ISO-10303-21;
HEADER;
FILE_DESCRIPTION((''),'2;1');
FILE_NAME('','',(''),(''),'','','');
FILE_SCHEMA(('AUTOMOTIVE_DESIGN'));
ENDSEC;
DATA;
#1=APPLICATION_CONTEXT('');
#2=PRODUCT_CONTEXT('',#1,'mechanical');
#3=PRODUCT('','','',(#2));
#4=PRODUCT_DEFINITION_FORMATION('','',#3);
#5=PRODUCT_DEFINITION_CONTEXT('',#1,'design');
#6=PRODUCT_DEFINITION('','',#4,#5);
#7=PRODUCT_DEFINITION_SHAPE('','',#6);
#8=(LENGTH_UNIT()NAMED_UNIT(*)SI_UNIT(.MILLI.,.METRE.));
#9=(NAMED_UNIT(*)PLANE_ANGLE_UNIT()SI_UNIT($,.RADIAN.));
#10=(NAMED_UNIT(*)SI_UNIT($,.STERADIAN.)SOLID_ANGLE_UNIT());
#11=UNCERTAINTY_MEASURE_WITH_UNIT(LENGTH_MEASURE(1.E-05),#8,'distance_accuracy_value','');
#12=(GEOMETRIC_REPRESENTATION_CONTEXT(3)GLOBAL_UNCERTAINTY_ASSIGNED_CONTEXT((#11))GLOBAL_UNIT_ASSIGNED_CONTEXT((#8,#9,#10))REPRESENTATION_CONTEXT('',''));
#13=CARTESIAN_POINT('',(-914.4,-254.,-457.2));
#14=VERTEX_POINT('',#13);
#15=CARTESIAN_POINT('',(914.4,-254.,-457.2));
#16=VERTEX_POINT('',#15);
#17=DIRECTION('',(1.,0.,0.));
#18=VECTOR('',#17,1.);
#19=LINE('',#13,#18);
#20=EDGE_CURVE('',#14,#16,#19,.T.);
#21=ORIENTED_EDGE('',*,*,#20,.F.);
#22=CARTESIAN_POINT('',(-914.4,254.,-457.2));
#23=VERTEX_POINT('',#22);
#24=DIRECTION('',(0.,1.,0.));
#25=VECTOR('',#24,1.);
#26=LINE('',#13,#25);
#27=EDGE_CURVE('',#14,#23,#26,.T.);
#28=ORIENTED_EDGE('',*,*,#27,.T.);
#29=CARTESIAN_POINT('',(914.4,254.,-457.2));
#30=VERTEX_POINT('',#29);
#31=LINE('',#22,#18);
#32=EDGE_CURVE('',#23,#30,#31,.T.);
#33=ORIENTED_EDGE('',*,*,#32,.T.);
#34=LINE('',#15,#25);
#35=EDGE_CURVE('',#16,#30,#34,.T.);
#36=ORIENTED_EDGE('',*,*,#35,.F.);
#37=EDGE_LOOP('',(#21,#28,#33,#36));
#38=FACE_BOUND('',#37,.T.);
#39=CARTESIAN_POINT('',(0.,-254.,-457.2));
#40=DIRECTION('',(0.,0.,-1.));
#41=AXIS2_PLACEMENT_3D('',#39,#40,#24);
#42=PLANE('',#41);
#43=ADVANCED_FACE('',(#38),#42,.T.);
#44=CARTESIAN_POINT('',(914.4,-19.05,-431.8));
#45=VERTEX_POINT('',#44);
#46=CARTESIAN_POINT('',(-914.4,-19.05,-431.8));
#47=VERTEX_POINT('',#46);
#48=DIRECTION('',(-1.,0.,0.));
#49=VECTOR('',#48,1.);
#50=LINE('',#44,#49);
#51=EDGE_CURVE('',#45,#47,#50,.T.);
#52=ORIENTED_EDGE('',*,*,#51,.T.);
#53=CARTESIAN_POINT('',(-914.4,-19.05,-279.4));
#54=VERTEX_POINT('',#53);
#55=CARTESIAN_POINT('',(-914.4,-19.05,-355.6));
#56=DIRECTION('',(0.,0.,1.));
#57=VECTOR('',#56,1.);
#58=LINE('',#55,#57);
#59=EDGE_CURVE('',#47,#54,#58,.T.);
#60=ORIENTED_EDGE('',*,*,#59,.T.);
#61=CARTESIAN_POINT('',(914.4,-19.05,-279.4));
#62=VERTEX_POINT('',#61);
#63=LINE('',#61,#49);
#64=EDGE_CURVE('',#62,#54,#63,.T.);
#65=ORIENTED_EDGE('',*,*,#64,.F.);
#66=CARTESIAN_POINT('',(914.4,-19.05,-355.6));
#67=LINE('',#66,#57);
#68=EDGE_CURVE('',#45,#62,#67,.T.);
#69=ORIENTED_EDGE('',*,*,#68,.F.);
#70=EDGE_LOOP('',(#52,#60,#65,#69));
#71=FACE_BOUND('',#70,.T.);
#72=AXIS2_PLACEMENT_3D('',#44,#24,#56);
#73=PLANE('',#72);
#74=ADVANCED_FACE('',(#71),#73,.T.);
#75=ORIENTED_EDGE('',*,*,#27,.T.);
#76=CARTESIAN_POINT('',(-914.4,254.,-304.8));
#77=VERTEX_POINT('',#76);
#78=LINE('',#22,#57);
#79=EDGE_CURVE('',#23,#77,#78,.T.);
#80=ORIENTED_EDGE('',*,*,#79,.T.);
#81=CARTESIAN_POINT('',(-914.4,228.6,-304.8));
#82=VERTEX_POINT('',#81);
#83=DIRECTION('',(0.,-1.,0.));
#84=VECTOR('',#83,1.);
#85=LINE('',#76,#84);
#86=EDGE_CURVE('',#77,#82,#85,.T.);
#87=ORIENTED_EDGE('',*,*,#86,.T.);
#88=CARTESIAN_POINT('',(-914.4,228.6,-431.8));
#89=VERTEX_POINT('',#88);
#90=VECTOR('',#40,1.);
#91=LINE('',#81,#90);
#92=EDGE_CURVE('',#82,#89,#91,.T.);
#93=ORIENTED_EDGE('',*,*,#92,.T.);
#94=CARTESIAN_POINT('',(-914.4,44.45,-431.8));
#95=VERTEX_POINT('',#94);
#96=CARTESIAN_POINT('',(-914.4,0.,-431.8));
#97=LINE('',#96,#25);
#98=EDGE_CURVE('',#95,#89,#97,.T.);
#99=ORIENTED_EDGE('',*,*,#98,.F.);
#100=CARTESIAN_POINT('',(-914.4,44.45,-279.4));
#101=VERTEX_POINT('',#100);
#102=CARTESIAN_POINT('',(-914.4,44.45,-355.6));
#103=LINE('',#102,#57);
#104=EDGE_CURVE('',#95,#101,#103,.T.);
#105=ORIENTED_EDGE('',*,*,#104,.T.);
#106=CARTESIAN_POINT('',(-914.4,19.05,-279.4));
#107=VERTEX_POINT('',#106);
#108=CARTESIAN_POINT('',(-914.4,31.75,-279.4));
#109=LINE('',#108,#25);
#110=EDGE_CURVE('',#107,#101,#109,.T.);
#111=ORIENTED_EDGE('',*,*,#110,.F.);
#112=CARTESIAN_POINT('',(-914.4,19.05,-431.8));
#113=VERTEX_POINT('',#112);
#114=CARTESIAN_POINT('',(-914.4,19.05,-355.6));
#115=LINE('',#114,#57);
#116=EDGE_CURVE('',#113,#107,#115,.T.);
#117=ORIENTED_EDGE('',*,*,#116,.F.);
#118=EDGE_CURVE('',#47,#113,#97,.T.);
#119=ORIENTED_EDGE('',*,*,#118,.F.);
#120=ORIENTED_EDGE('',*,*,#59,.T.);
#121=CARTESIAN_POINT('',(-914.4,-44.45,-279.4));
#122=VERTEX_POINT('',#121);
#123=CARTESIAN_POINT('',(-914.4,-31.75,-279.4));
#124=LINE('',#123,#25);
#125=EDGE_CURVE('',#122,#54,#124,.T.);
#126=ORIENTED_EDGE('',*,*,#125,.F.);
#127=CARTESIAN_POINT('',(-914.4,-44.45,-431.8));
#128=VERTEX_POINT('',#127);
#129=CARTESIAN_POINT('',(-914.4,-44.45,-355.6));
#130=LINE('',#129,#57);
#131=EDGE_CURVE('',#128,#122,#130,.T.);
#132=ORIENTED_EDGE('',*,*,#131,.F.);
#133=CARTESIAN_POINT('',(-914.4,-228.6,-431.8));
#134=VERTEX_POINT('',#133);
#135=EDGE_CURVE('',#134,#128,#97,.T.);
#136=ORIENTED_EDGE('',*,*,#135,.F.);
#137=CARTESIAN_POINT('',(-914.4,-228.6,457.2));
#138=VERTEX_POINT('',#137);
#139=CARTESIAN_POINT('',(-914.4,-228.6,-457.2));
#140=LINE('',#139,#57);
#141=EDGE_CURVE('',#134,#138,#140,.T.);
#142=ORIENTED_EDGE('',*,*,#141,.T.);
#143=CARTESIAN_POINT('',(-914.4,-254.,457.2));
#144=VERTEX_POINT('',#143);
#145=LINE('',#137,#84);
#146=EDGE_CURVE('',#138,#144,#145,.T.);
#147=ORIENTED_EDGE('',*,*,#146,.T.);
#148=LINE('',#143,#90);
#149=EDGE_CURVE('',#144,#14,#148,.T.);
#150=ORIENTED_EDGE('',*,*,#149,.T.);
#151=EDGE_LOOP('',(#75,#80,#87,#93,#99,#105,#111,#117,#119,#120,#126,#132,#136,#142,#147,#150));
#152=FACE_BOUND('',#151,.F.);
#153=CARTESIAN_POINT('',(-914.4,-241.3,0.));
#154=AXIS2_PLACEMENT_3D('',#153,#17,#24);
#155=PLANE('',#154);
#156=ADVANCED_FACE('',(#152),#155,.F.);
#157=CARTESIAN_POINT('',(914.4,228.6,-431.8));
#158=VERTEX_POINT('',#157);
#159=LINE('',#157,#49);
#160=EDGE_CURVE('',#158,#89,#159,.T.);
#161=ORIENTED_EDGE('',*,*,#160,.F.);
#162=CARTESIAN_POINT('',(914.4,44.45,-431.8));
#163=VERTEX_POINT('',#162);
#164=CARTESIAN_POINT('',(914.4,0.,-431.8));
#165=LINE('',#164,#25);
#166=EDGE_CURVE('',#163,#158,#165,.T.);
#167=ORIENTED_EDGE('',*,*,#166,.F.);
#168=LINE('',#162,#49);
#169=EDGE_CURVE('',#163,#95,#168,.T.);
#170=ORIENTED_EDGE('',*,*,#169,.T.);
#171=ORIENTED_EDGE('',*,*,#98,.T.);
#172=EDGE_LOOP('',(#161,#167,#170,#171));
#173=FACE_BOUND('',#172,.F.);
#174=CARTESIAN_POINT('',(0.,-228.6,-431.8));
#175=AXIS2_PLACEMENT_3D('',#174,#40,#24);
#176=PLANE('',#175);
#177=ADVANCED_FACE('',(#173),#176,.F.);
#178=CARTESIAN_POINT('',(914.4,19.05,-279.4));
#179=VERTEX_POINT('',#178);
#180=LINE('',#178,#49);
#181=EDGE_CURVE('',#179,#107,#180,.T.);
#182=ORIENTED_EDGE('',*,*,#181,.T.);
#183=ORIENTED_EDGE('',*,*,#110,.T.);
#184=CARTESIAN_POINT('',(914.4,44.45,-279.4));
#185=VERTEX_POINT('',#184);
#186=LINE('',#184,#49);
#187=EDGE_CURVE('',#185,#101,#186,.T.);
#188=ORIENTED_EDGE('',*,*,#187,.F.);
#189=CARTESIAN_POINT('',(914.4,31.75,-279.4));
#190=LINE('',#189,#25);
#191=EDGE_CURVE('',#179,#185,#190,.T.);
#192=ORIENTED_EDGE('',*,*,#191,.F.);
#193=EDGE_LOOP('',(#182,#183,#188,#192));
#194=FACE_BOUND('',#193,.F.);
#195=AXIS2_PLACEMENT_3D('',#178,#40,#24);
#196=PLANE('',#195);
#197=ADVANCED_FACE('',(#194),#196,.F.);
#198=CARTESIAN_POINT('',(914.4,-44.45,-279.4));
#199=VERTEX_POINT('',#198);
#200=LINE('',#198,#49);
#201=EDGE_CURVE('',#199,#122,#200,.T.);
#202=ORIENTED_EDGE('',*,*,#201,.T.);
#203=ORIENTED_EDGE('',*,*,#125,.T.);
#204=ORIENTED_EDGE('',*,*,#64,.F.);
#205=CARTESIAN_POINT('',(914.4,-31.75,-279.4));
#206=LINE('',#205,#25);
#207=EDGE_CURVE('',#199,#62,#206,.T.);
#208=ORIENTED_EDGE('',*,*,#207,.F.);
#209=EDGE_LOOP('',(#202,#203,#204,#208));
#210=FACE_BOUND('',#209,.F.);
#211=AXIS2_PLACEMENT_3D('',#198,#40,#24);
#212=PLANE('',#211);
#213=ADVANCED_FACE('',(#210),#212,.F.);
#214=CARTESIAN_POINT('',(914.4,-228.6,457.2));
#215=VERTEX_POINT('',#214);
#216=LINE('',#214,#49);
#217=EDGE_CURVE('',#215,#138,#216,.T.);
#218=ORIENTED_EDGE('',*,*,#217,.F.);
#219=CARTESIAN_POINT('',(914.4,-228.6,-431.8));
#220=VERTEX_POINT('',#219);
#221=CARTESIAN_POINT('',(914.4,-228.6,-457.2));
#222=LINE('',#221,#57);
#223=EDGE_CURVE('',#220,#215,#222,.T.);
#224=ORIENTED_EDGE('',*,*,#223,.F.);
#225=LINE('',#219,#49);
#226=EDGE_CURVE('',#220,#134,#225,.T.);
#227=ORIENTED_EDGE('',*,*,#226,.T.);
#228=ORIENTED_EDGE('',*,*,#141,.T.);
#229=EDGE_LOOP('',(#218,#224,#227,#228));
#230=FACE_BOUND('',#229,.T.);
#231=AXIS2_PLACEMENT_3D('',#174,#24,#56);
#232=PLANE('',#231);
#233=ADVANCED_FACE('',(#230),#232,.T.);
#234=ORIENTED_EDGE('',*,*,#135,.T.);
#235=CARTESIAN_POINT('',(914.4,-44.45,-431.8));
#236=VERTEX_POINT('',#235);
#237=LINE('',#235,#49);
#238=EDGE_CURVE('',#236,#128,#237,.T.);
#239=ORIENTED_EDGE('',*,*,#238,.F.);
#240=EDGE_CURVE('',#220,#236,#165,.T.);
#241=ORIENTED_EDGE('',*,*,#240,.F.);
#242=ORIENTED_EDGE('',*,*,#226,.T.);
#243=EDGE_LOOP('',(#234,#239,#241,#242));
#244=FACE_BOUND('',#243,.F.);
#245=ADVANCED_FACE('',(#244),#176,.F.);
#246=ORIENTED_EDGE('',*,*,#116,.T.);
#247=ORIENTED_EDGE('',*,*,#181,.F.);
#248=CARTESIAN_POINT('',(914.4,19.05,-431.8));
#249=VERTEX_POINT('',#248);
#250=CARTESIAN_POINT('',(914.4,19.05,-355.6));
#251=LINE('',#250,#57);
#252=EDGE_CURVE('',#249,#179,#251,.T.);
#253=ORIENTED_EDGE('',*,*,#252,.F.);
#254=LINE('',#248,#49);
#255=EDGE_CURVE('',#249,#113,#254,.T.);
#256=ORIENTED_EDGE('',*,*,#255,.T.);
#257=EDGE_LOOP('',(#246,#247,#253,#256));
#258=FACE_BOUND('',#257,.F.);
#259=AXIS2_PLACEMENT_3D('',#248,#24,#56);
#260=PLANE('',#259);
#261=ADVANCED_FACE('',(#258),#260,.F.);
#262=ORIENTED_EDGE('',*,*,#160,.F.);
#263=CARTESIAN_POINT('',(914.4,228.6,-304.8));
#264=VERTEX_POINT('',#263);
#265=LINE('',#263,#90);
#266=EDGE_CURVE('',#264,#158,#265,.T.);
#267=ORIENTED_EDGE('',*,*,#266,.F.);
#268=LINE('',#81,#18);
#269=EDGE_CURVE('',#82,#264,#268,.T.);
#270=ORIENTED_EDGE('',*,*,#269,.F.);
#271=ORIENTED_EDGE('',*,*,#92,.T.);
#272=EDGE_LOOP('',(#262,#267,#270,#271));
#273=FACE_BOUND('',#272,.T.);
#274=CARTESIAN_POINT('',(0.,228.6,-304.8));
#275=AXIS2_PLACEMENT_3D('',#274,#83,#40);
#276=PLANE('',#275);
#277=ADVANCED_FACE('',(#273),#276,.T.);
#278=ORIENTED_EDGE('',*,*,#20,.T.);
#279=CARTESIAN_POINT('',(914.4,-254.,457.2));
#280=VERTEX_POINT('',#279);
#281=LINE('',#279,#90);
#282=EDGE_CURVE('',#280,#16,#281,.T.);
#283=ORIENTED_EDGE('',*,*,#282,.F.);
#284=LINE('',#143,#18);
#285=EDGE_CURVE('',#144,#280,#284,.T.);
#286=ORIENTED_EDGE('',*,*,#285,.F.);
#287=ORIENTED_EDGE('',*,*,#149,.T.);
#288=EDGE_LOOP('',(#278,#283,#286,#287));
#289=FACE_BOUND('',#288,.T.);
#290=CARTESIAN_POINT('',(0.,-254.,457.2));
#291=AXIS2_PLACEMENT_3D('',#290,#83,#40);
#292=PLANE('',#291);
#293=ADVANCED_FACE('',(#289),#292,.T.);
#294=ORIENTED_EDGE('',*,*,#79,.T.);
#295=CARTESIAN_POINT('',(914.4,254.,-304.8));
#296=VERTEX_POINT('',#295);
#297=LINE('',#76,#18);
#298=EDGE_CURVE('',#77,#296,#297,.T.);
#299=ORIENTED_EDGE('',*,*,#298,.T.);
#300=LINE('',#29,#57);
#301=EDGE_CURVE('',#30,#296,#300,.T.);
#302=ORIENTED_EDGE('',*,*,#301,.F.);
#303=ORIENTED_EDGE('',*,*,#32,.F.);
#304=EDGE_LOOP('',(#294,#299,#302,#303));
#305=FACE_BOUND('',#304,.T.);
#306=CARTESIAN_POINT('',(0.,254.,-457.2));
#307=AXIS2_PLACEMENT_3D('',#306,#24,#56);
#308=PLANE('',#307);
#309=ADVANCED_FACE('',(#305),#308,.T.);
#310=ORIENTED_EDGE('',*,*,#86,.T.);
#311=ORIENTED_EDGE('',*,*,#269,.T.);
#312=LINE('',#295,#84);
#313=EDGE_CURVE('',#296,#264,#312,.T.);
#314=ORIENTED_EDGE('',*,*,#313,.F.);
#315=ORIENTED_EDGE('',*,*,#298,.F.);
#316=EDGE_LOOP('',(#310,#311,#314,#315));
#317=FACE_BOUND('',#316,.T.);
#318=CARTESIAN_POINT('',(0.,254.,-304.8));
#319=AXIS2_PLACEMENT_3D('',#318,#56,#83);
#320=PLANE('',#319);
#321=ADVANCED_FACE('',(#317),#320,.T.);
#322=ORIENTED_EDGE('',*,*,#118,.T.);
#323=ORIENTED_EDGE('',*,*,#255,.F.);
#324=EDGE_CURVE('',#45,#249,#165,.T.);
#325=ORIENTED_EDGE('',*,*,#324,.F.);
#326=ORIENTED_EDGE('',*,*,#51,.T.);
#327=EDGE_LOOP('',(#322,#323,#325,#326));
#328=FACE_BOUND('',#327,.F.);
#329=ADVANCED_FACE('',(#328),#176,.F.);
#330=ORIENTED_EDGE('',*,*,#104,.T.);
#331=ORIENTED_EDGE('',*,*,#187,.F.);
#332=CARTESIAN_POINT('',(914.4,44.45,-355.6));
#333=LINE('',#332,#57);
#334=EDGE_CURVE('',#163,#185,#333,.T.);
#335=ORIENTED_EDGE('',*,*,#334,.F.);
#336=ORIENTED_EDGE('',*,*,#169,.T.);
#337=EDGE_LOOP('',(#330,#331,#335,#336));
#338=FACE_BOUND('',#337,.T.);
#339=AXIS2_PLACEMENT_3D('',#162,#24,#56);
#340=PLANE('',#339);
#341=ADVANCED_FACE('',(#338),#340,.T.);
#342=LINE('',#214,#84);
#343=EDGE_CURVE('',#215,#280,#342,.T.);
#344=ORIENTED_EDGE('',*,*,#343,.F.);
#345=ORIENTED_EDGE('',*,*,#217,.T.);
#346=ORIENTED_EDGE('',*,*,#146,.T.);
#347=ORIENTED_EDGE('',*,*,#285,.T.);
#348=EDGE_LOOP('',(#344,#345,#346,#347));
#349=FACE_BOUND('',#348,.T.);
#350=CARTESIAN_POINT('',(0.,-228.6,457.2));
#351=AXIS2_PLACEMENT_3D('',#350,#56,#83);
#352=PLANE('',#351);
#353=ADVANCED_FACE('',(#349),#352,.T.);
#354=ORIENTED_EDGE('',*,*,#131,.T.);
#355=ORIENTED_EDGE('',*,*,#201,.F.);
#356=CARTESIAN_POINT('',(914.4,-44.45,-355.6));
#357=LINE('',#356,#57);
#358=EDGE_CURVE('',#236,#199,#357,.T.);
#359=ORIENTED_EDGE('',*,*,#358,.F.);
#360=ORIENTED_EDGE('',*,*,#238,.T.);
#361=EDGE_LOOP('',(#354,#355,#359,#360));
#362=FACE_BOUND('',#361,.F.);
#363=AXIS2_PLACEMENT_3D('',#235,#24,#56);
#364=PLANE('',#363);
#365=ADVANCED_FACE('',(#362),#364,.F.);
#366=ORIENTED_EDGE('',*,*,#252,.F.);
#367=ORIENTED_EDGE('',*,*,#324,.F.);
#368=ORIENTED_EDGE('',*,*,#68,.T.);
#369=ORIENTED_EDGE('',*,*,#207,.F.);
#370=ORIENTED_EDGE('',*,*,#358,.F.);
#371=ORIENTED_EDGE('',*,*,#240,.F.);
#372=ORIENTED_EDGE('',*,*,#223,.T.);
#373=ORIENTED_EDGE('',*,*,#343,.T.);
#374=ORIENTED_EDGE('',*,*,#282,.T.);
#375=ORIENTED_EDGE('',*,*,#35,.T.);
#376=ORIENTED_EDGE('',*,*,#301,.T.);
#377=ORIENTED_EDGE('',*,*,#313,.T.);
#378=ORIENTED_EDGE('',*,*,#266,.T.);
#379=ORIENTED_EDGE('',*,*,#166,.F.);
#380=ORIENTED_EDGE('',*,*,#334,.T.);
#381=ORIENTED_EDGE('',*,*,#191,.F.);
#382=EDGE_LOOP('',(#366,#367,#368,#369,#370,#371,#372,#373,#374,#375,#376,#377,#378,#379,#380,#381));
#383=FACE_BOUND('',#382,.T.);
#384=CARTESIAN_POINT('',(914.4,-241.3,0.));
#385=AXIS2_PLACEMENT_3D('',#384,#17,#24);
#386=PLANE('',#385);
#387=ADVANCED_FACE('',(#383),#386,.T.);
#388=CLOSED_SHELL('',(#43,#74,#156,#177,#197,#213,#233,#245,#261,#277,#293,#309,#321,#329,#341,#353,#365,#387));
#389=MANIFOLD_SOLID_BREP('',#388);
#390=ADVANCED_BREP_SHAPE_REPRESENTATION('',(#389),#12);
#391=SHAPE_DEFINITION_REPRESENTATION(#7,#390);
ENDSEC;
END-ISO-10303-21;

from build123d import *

# Parameters (mm, degrees)
F0_W     = 457.2
F0_H     = 25.4
F1_DEPTH = 914.4
F2_W     = 25.4
F2_H     = 152.4
F3_DEPTH = 1828.8


with BuildPart() as f1:
    # F0 (on Right) → F1 (new body, symmetric)
    with BuildSketch(Plane.YZ):
        Polygon((-228.6, 457.2), (-254, 457.2), (-254, -457.2), (-228.6, -457.2), (-228.6, -431.8), align=None)
        with Locations((0, -444.5)):
            Rectangle(F0_W, F0_H)
        Polygon((228.6, -304.8), (228.6, -431.8), (228.6, -457.2), (254, -457.2), (254, -304.8), align=None)
    extrude(amount=F1_DEPTH, both=True)

    # F2 (on face) → F3 (join)
    with BuildSketch(Plane.YZ.offset(914.4)):
        with Locations((-31.75, -355.6)):
            Rectangle(F2_W, F2_H)
        with Locations((31.75, -355.6)):
            Rectangle(F2_W, F2_H)
    extrude(amount=-F3_DEPTH)


solid = f1.part
